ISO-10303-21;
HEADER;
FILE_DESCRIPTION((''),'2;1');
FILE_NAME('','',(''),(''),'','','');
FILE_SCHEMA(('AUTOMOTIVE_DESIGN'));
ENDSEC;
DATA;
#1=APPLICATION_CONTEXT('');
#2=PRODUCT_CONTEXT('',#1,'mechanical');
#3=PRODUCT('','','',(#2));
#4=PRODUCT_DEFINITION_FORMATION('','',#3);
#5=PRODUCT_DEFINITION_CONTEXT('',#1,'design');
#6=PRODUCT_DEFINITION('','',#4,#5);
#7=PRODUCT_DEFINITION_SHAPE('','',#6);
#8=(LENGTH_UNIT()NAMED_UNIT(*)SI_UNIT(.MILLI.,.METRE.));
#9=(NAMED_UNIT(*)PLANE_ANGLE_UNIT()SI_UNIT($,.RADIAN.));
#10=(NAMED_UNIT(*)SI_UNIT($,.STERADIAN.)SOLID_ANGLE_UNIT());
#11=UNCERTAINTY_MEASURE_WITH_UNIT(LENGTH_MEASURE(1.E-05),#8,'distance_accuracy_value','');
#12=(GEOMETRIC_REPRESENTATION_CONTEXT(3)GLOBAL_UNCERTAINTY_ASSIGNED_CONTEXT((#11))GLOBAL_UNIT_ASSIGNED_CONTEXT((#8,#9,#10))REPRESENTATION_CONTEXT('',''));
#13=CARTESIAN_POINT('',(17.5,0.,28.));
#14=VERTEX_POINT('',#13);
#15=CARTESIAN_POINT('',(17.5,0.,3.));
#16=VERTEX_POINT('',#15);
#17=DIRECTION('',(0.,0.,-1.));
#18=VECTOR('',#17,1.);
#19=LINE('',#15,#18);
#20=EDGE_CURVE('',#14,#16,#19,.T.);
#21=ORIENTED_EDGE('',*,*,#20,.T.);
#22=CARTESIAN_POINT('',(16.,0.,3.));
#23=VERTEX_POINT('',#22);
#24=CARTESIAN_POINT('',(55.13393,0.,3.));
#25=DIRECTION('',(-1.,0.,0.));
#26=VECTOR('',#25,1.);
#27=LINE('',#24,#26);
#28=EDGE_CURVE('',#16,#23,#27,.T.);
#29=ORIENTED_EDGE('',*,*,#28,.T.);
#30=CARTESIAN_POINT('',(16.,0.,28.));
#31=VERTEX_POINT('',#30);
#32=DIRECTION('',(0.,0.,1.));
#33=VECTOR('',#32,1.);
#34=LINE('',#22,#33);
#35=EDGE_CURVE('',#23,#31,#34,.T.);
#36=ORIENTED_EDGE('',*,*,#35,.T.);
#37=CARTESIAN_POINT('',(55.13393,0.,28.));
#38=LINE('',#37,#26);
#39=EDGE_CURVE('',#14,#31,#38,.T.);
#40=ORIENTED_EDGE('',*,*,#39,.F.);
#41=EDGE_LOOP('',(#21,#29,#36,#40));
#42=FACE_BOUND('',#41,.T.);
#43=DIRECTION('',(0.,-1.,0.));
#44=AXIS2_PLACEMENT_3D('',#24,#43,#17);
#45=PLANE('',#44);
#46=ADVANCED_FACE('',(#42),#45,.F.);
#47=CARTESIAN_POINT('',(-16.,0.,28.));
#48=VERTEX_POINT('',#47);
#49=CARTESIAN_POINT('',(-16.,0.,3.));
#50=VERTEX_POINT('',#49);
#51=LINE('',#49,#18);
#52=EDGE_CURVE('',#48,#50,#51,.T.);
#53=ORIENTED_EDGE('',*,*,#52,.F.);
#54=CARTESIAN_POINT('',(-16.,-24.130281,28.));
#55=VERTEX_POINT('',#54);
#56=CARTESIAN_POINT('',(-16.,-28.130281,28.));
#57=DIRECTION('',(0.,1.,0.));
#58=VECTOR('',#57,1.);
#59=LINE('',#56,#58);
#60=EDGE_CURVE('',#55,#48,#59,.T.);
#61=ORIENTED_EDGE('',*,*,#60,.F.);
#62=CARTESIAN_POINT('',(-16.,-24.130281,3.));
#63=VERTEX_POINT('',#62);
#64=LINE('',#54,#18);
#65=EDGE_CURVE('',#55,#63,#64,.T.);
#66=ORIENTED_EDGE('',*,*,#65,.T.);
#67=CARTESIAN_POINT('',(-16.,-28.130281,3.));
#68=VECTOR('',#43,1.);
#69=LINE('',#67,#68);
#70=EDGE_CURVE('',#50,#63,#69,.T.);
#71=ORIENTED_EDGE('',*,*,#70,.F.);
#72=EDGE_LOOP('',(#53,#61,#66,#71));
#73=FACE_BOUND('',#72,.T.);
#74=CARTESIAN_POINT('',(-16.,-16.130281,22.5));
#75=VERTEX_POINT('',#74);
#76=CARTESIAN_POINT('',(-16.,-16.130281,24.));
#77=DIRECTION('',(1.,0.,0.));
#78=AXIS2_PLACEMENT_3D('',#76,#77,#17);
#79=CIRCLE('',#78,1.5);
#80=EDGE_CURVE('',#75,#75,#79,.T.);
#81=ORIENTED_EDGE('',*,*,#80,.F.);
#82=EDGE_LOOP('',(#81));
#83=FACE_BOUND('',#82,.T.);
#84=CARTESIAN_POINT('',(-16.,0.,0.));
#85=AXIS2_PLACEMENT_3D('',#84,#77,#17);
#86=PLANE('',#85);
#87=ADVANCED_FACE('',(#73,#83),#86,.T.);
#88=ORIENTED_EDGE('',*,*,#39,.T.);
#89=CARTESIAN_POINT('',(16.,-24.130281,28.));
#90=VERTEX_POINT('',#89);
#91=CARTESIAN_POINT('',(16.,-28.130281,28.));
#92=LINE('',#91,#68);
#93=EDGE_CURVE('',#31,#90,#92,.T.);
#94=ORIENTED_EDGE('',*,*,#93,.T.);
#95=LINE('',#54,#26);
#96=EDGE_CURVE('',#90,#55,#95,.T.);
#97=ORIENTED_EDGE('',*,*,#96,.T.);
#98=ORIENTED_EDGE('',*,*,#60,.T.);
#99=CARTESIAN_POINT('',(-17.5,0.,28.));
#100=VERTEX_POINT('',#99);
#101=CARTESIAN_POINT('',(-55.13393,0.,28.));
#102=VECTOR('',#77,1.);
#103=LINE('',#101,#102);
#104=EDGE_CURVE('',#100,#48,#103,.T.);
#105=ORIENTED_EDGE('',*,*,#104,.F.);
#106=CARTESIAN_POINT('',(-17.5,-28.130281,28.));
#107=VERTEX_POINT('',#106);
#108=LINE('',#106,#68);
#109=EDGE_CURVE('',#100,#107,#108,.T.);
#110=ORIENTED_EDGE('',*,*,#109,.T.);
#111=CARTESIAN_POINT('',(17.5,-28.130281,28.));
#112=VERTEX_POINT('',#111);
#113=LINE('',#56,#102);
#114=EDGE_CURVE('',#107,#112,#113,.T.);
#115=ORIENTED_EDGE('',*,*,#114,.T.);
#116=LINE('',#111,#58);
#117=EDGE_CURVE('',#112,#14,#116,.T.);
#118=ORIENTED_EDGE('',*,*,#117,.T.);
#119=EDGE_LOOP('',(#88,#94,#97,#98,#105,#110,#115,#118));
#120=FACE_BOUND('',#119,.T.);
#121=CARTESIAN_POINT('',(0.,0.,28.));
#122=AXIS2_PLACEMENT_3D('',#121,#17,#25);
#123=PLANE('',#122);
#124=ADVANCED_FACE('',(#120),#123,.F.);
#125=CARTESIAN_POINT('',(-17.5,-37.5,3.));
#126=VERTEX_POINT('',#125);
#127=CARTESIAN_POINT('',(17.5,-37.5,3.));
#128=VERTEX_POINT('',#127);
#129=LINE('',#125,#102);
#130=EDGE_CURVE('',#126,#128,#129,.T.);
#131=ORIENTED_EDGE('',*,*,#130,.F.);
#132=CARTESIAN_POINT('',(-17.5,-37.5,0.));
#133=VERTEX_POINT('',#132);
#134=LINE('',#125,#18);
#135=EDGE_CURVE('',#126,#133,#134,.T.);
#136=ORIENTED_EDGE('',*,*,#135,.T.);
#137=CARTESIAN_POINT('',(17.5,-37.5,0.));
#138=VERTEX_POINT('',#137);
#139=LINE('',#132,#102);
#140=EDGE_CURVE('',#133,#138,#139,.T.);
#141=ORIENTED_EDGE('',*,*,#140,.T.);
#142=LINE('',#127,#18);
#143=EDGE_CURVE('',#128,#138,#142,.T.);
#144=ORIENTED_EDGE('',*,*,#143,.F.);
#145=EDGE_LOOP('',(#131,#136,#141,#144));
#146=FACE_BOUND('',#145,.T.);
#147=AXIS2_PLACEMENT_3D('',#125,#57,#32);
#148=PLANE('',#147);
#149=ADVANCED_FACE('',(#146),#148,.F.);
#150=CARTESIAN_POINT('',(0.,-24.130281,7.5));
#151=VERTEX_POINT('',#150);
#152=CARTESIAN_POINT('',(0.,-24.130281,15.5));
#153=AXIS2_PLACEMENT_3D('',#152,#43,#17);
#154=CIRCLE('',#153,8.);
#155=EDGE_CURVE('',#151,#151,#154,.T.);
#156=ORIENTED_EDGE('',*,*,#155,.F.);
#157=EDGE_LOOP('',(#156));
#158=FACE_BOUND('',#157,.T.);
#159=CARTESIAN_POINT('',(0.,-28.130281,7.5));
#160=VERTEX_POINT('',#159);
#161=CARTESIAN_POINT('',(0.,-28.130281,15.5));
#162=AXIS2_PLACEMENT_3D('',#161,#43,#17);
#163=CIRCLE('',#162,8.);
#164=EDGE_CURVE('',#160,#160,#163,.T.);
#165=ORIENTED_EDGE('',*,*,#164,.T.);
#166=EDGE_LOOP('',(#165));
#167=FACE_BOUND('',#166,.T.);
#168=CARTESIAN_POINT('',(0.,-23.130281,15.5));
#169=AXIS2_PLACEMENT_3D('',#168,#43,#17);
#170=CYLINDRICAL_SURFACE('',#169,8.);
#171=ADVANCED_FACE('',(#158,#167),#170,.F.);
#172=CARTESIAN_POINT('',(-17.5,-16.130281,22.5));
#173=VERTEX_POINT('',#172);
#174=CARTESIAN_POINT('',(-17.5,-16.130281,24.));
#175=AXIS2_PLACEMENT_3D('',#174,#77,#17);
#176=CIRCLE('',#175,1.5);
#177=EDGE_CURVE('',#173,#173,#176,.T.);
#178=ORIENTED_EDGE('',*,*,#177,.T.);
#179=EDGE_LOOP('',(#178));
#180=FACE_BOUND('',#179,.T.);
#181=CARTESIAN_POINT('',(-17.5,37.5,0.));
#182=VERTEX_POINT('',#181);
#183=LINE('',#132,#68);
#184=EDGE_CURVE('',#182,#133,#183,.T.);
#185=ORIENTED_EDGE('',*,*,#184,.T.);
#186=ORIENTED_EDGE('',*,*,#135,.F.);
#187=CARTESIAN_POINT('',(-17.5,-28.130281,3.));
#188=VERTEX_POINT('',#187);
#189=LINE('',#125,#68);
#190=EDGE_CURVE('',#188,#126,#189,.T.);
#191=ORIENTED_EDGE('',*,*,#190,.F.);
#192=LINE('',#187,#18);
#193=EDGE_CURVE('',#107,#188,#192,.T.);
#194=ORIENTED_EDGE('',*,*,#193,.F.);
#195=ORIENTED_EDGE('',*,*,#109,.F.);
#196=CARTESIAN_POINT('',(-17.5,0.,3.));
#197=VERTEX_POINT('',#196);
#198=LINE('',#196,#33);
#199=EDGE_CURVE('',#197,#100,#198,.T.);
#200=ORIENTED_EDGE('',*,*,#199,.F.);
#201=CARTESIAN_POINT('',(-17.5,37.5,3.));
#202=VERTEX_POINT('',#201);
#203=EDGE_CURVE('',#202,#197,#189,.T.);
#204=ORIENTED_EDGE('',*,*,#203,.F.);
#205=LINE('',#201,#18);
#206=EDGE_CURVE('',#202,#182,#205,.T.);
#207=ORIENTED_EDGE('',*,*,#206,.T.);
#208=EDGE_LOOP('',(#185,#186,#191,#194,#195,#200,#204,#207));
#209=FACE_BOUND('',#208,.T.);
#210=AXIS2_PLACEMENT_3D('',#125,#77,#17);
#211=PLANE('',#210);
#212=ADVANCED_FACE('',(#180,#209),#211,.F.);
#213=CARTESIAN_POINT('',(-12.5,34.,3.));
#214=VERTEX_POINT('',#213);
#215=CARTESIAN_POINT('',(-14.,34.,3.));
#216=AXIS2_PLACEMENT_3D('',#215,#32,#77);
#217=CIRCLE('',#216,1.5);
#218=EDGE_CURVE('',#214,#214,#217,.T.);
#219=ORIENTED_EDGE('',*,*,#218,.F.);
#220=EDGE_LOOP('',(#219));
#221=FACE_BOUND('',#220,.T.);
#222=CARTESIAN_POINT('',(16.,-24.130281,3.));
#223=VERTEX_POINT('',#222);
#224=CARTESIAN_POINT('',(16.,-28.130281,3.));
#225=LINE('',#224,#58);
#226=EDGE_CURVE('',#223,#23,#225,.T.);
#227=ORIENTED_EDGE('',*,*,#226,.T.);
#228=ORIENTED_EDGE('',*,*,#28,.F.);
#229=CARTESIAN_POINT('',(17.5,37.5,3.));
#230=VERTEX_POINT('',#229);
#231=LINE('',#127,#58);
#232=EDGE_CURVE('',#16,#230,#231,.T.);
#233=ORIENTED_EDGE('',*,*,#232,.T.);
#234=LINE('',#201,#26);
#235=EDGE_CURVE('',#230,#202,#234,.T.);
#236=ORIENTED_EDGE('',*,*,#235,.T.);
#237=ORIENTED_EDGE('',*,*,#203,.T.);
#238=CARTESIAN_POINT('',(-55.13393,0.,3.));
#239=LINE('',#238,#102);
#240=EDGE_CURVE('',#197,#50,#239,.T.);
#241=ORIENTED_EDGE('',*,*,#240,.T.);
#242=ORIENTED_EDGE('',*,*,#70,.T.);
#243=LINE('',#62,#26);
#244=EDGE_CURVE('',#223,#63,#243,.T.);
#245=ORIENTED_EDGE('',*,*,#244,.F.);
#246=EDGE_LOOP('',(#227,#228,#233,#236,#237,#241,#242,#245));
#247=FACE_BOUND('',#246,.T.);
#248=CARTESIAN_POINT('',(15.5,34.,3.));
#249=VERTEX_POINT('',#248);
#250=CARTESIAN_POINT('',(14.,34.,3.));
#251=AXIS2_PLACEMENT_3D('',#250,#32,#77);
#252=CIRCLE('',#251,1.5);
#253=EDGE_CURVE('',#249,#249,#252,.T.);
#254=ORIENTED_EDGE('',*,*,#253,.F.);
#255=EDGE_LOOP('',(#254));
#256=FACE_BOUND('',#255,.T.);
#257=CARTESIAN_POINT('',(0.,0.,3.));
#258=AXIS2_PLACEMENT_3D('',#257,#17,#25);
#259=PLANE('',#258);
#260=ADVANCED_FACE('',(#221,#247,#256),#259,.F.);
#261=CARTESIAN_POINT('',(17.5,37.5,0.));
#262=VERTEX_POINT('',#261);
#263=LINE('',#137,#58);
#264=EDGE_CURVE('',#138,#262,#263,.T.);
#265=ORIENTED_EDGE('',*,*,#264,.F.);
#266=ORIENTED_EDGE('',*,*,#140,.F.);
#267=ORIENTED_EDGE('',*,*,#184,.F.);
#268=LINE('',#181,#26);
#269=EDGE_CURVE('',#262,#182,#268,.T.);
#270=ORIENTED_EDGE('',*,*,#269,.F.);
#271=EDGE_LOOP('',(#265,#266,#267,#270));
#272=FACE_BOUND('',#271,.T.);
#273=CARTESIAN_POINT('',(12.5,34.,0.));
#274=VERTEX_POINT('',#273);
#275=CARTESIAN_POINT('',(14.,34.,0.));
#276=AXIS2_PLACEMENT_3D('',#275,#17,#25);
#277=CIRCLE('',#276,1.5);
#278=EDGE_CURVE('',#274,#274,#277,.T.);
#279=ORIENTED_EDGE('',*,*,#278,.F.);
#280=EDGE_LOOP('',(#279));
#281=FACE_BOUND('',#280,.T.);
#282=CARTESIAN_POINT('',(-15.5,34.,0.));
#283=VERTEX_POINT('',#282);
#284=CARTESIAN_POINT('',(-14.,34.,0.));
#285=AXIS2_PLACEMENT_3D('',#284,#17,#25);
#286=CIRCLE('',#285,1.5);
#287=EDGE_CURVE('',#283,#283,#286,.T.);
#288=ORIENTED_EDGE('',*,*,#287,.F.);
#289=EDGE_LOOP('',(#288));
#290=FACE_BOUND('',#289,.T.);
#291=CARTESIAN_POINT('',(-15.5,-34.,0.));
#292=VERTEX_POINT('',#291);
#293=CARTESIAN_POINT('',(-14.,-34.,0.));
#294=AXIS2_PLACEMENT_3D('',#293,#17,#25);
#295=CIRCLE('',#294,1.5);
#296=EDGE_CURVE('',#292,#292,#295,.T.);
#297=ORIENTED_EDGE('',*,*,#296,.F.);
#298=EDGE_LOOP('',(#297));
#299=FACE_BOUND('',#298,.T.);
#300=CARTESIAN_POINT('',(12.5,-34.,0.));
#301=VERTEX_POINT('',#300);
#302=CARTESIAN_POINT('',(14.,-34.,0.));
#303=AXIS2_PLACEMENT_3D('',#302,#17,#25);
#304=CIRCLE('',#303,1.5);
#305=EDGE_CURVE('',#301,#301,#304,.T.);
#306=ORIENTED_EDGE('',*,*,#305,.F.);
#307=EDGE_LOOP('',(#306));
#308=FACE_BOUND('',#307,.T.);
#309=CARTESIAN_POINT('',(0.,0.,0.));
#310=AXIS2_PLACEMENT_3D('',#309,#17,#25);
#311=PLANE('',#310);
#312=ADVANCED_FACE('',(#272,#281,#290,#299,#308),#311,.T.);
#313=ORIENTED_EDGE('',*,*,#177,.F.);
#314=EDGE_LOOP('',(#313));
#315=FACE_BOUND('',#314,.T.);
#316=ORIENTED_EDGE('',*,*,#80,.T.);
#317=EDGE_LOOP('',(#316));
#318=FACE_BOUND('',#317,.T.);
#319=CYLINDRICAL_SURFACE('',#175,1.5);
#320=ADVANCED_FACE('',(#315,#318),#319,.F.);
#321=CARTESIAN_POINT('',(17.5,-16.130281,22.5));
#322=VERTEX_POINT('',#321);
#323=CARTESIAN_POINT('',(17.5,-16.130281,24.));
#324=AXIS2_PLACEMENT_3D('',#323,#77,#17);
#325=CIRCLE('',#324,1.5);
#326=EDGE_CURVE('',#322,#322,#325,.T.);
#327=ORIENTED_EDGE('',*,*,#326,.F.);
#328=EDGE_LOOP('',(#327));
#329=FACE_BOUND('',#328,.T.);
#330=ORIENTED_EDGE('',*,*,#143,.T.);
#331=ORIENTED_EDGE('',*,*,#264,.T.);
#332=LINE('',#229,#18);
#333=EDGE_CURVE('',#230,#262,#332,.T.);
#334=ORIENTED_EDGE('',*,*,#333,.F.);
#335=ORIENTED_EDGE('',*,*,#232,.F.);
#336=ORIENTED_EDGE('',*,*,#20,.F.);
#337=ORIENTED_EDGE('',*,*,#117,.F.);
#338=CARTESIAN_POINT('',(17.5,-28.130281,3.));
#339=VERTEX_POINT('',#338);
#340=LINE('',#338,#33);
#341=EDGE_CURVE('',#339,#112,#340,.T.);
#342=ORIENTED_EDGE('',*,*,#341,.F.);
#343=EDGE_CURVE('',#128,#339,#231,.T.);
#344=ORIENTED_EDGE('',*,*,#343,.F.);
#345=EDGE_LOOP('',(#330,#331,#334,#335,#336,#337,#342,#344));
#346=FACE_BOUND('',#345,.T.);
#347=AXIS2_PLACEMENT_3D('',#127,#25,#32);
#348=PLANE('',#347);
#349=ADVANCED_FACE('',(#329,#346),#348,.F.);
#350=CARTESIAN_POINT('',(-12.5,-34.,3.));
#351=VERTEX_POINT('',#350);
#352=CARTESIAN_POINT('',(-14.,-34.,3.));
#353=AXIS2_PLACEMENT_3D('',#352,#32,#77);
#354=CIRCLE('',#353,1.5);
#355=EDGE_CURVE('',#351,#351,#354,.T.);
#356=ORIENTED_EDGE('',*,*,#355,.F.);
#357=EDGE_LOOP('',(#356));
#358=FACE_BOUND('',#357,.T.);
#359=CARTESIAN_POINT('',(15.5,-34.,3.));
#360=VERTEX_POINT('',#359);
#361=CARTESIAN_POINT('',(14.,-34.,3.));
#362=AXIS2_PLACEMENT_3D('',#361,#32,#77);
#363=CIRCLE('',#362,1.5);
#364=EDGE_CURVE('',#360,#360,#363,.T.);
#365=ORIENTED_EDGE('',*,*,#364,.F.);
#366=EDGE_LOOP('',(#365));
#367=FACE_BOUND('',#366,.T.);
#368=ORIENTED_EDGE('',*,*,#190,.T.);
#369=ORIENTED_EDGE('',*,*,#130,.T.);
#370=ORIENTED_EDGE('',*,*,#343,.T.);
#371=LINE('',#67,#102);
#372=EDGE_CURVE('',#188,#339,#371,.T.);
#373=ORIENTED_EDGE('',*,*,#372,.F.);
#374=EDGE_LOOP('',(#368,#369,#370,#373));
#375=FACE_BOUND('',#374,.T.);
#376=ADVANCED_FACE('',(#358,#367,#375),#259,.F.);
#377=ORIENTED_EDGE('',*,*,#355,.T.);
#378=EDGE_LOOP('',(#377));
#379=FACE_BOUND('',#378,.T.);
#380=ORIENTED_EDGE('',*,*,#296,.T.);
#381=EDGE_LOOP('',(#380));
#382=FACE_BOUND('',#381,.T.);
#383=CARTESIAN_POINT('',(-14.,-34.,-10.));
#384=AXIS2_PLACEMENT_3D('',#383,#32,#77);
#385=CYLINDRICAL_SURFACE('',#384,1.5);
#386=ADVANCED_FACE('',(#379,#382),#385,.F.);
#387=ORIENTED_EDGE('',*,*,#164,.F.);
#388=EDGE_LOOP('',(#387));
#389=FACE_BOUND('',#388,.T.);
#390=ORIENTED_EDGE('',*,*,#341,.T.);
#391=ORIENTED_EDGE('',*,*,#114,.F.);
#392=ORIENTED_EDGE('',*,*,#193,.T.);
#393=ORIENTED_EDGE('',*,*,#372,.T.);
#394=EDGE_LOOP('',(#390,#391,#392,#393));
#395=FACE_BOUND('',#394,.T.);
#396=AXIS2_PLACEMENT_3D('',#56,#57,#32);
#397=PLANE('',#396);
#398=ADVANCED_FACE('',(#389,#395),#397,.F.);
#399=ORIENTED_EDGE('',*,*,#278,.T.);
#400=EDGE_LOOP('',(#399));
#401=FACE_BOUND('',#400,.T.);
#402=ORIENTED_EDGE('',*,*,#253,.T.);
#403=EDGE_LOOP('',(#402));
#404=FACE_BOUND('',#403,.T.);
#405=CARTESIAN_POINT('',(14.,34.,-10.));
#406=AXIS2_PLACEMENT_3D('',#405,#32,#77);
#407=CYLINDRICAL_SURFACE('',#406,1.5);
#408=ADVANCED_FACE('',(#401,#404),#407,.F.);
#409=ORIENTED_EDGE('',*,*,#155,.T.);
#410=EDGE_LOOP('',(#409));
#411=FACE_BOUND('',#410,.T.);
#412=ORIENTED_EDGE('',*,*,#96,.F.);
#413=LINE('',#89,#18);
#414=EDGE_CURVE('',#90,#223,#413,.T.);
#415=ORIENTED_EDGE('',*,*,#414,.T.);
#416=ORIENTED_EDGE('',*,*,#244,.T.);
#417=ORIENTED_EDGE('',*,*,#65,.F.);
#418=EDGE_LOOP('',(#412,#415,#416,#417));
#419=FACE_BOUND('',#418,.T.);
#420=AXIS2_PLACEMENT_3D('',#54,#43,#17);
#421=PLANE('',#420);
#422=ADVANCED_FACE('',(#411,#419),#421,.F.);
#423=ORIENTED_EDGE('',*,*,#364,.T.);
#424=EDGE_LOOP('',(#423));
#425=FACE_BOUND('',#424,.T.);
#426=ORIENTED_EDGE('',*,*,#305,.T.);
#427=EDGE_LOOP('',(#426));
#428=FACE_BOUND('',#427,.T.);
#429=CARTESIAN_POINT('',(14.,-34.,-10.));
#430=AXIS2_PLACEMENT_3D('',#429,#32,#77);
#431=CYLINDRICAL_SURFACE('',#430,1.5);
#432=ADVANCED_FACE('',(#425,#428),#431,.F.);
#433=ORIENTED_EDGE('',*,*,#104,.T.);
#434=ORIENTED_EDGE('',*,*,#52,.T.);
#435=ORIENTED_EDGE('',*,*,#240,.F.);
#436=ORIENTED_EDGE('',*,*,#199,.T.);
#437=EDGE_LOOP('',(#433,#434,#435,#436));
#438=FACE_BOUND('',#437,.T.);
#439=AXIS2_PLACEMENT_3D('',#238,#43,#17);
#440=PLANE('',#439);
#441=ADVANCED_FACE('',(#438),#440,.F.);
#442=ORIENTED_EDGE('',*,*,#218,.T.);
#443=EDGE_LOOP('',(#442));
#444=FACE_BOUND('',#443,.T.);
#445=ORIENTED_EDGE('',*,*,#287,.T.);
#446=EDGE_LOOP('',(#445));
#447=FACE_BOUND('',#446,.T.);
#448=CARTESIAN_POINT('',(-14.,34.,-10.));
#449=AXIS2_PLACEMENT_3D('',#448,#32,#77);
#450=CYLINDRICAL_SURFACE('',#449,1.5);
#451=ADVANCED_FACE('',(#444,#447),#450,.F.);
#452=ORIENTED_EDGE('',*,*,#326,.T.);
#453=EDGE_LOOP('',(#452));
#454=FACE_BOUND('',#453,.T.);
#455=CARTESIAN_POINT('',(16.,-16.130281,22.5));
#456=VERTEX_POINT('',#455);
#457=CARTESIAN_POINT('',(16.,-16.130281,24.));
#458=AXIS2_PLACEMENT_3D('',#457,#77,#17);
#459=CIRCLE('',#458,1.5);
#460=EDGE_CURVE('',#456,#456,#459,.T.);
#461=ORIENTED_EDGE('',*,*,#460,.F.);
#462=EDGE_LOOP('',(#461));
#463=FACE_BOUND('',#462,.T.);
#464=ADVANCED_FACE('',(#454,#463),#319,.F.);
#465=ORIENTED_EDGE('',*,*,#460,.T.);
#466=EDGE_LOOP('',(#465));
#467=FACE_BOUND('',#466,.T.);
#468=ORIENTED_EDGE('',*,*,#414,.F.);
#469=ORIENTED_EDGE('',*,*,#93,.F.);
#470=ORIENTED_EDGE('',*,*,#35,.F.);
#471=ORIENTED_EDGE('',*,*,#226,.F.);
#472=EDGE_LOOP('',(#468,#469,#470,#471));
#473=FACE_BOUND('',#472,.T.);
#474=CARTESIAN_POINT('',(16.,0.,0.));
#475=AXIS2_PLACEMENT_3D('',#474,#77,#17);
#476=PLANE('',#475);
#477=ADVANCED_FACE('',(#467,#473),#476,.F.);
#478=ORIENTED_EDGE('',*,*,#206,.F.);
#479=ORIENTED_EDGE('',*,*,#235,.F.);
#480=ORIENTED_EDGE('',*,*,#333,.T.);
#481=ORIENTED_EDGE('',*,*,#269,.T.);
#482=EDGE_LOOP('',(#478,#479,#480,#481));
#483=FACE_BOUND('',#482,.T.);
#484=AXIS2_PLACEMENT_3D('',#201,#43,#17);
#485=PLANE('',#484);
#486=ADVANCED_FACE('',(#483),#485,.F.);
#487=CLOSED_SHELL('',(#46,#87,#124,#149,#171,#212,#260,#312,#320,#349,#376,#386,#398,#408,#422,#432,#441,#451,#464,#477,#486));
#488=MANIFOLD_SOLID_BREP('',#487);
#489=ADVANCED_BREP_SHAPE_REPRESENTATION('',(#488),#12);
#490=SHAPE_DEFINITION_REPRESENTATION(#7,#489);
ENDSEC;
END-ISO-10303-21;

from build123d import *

# Parameters (mm, degrees)
SKETCH1_W           = 35
SKETCH1_H           = 75
BOSS_EXTRUDE1_DEPTH = 3
SKETCH2_R           = 1.5
SIDE_HOLES_DEPTH    = 13
SKETCH3_W           = 32
SKETCH3_H           = 4
BOSS_EXTRUDE2_DEPTH = 25
SKETCH4_R           = 8
CUT_EXTRUDE2_DEPTH  = 5
SKETCH5_W           = 25
SKETCH5_H           = 28.130280997
BOSS_EXTRUDE3_DEPTH = 1.5
SKETCH6_W           = 25
SKETCH6_H           = 28.130280997
BOSS_EXTRUDE4_DEPTH = 1.5
SKETCH7_R           = 1.5
CUT_EXTRUDE3_DEPTH  = 59.440140315


with BuildPart() as part:
    # Sketch1 → Boss-Extrude1 (new body)
    with BuildSketch(Plane.XY):
        Rectangle(SKETCH1_W, SKETCH1_H)
    extrude(amount=BOSS_EXTRUDE1_DEPTH)

    # Sketch2 → side holes (cut)
    with BuildSketch(Plane.XY.offset(3)):
        with Locations((14, 34)):
            Circle(SKETCH2_R)
        with Locations((-14, 34)):
            Circle(SKETCH2_R)
        with Locations((14, -34)):
            Circle(SKETCH2_R)
        with Locations((-14, -34)):
            Circle(SKETCH2_R)
    extrude(amount=-SIDE_HOLES_DEPTH, mode=Mode.SUBTRACT)

    # Sketch3 → Boss-Extrude2 (add)
    with BuildSketch(Plane.XY.offset(3)):
        with Locations((0, -26.130280997)):
            Rectangle(SKETCH3_W, SKETCH3_H)
    extrude(amount=BOSS_EXTRUDE2_DEPTH)

    # Sketch4 → Cut-Extrude2 (cut)
    with BuildSketch(Plane.XZ.offset(28.130280997)):
        with Locations(Location((0, 15.5, 0), (0, 0, 270))):
            Circle(SKETCH4_R)
    extrude(amount=-CUT_EXTRUDE2_DEPTH, mode=Mode.SUBTRACT)

    # Sketch5 → Boss-Extrude3 (add)
    with BuildSketch(Plane.ZY.offset(16)):
        with Locations((15.5, -14.065140499)):
            Rectangle(SKETCH5_W, SKETCH5_H)
    extrude(amount=BOSS_EXTRUDE3_DEPTH)

    # Sketch6 → Boss-Extrude4 (add)
    with BuildSketch(Plane(origin=(16, 0, 0), x_dir=(0, 0, -1), z_dir=(1, 0, 0))):
        with Locations((-15.5, -14.065140499)):
            Rectangle(SKETCH6_W, SKETCH6_H)
    extrude(amount=BOSS_EXTRUDE4_DEPTH)

    # Sketch7 → Cut-Extrude3 (cut, through all)
    with BuildSketch(Plane(origin=(17.5, 0, 0), x_dir=(0, 0, -1), z_dir=(1, 0, 0))):
        with Locations((-24, -16.130280997)):
            Circle(SKETCH7_R)
    extrude(amount=-CUT_EXTRUDE3_DEPTH, mode=Mode.SUBTRACT)


solid = part.part
